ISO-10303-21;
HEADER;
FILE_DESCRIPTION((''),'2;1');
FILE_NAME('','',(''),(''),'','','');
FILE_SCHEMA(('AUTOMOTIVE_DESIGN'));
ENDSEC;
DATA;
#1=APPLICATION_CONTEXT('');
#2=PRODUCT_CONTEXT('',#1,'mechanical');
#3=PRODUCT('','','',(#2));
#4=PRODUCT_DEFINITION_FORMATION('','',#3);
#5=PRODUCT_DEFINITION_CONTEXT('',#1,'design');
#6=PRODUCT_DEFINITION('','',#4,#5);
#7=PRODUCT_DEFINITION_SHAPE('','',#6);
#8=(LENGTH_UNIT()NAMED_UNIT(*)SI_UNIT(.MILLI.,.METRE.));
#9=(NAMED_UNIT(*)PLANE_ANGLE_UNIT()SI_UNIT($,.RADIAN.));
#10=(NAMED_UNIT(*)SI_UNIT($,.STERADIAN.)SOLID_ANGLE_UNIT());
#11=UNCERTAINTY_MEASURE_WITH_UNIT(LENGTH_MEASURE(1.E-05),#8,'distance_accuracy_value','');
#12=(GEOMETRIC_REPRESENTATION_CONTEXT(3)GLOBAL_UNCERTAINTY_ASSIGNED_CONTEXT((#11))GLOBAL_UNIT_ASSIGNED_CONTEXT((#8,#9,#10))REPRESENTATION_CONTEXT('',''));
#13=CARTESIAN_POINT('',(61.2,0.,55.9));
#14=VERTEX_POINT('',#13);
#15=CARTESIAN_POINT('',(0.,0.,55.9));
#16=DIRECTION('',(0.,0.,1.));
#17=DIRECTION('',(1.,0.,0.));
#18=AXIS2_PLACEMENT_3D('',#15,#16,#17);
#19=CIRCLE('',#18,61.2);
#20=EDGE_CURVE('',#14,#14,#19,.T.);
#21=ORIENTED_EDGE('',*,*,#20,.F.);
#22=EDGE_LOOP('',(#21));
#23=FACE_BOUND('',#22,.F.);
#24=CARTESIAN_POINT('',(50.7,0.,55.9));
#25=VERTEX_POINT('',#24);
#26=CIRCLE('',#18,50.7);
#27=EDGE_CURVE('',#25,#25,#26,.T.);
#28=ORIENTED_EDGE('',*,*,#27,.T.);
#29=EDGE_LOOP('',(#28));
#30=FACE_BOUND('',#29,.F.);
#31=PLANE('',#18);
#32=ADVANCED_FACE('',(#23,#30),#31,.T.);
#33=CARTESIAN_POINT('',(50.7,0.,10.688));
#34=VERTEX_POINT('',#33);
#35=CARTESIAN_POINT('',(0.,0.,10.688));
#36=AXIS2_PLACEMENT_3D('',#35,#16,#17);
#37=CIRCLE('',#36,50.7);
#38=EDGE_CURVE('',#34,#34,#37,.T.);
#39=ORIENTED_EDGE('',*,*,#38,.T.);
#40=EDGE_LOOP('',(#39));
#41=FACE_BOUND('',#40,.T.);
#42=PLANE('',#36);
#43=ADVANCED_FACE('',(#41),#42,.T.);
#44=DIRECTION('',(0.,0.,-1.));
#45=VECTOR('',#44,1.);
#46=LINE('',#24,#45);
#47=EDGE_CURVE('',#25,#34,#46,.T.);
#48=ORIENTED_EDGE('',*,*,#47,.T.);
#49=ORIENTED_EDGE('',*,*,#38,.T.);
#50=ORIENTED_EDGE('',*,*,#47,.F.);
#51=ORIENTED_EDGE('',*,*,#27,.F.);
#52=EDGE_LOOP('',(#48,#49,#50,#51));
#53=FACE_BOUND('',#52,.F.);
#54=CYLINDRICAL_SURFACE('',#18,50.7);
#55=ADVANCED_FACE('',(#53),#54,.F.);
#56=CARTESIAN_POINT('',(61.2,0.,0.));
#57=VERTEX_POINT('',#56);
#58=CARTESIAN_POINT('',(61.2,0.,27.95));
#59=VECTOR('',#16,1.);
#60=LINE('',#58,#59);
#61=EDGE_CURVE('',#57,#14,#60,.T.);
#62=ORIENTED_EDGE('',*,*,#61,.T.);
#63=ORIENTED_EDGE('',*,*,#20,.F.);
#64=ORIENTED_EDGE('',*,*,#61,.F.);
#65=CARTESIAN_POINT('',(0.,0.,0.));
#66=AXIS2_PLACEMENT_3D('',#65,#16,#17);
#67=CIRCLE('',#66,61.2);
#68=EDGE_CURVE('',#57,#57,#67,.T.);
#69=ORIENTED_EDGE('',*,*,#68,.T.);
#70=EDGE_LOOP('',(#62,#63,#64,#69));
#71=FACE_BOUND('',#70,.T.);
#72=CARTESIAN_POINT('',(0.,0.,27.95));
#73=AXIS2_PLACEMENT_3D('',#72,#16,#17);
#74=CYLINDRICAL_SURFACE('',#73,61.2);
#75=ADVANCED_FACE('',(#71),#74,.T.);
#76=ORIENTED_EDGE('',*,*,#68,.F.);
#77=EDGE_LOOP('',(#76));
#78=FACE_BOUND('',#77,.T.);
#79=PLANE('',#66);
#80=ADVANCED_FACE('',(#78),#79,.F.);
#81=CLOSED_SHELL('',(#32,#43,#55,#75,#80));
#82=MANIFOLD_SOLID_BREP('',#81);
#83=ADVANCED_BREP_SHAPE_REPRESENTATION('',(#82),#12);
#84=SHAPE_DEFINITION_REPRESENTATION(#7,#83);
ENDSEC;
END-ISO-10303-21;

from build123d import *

# Parameters (mm, degrees)
F0_W     = 61.2
F0_H     = 55.9
F2_R     = 50.7
F3_DEPTH = 45.212


with BuildPart() as f1:
    # F0 (on Front) → F1 (revolve)
    with BuildSketch(Plane.XZ):
        with Locations((30.6, 27.95)):
            Rectangle(F0_W, F0_H)
    revolve(axis=Axis((0, 0, 44.715325), (0, 0, 1)))

    # F2 (on face) → F3 (cut)
    with BuildSketch(Plane.XY.offset(55.9)):
        Circle(F2_R)
    extrude(amount=-F3_DEPTH, mode=Mode.SUBTRACT)


solid = f1.part
